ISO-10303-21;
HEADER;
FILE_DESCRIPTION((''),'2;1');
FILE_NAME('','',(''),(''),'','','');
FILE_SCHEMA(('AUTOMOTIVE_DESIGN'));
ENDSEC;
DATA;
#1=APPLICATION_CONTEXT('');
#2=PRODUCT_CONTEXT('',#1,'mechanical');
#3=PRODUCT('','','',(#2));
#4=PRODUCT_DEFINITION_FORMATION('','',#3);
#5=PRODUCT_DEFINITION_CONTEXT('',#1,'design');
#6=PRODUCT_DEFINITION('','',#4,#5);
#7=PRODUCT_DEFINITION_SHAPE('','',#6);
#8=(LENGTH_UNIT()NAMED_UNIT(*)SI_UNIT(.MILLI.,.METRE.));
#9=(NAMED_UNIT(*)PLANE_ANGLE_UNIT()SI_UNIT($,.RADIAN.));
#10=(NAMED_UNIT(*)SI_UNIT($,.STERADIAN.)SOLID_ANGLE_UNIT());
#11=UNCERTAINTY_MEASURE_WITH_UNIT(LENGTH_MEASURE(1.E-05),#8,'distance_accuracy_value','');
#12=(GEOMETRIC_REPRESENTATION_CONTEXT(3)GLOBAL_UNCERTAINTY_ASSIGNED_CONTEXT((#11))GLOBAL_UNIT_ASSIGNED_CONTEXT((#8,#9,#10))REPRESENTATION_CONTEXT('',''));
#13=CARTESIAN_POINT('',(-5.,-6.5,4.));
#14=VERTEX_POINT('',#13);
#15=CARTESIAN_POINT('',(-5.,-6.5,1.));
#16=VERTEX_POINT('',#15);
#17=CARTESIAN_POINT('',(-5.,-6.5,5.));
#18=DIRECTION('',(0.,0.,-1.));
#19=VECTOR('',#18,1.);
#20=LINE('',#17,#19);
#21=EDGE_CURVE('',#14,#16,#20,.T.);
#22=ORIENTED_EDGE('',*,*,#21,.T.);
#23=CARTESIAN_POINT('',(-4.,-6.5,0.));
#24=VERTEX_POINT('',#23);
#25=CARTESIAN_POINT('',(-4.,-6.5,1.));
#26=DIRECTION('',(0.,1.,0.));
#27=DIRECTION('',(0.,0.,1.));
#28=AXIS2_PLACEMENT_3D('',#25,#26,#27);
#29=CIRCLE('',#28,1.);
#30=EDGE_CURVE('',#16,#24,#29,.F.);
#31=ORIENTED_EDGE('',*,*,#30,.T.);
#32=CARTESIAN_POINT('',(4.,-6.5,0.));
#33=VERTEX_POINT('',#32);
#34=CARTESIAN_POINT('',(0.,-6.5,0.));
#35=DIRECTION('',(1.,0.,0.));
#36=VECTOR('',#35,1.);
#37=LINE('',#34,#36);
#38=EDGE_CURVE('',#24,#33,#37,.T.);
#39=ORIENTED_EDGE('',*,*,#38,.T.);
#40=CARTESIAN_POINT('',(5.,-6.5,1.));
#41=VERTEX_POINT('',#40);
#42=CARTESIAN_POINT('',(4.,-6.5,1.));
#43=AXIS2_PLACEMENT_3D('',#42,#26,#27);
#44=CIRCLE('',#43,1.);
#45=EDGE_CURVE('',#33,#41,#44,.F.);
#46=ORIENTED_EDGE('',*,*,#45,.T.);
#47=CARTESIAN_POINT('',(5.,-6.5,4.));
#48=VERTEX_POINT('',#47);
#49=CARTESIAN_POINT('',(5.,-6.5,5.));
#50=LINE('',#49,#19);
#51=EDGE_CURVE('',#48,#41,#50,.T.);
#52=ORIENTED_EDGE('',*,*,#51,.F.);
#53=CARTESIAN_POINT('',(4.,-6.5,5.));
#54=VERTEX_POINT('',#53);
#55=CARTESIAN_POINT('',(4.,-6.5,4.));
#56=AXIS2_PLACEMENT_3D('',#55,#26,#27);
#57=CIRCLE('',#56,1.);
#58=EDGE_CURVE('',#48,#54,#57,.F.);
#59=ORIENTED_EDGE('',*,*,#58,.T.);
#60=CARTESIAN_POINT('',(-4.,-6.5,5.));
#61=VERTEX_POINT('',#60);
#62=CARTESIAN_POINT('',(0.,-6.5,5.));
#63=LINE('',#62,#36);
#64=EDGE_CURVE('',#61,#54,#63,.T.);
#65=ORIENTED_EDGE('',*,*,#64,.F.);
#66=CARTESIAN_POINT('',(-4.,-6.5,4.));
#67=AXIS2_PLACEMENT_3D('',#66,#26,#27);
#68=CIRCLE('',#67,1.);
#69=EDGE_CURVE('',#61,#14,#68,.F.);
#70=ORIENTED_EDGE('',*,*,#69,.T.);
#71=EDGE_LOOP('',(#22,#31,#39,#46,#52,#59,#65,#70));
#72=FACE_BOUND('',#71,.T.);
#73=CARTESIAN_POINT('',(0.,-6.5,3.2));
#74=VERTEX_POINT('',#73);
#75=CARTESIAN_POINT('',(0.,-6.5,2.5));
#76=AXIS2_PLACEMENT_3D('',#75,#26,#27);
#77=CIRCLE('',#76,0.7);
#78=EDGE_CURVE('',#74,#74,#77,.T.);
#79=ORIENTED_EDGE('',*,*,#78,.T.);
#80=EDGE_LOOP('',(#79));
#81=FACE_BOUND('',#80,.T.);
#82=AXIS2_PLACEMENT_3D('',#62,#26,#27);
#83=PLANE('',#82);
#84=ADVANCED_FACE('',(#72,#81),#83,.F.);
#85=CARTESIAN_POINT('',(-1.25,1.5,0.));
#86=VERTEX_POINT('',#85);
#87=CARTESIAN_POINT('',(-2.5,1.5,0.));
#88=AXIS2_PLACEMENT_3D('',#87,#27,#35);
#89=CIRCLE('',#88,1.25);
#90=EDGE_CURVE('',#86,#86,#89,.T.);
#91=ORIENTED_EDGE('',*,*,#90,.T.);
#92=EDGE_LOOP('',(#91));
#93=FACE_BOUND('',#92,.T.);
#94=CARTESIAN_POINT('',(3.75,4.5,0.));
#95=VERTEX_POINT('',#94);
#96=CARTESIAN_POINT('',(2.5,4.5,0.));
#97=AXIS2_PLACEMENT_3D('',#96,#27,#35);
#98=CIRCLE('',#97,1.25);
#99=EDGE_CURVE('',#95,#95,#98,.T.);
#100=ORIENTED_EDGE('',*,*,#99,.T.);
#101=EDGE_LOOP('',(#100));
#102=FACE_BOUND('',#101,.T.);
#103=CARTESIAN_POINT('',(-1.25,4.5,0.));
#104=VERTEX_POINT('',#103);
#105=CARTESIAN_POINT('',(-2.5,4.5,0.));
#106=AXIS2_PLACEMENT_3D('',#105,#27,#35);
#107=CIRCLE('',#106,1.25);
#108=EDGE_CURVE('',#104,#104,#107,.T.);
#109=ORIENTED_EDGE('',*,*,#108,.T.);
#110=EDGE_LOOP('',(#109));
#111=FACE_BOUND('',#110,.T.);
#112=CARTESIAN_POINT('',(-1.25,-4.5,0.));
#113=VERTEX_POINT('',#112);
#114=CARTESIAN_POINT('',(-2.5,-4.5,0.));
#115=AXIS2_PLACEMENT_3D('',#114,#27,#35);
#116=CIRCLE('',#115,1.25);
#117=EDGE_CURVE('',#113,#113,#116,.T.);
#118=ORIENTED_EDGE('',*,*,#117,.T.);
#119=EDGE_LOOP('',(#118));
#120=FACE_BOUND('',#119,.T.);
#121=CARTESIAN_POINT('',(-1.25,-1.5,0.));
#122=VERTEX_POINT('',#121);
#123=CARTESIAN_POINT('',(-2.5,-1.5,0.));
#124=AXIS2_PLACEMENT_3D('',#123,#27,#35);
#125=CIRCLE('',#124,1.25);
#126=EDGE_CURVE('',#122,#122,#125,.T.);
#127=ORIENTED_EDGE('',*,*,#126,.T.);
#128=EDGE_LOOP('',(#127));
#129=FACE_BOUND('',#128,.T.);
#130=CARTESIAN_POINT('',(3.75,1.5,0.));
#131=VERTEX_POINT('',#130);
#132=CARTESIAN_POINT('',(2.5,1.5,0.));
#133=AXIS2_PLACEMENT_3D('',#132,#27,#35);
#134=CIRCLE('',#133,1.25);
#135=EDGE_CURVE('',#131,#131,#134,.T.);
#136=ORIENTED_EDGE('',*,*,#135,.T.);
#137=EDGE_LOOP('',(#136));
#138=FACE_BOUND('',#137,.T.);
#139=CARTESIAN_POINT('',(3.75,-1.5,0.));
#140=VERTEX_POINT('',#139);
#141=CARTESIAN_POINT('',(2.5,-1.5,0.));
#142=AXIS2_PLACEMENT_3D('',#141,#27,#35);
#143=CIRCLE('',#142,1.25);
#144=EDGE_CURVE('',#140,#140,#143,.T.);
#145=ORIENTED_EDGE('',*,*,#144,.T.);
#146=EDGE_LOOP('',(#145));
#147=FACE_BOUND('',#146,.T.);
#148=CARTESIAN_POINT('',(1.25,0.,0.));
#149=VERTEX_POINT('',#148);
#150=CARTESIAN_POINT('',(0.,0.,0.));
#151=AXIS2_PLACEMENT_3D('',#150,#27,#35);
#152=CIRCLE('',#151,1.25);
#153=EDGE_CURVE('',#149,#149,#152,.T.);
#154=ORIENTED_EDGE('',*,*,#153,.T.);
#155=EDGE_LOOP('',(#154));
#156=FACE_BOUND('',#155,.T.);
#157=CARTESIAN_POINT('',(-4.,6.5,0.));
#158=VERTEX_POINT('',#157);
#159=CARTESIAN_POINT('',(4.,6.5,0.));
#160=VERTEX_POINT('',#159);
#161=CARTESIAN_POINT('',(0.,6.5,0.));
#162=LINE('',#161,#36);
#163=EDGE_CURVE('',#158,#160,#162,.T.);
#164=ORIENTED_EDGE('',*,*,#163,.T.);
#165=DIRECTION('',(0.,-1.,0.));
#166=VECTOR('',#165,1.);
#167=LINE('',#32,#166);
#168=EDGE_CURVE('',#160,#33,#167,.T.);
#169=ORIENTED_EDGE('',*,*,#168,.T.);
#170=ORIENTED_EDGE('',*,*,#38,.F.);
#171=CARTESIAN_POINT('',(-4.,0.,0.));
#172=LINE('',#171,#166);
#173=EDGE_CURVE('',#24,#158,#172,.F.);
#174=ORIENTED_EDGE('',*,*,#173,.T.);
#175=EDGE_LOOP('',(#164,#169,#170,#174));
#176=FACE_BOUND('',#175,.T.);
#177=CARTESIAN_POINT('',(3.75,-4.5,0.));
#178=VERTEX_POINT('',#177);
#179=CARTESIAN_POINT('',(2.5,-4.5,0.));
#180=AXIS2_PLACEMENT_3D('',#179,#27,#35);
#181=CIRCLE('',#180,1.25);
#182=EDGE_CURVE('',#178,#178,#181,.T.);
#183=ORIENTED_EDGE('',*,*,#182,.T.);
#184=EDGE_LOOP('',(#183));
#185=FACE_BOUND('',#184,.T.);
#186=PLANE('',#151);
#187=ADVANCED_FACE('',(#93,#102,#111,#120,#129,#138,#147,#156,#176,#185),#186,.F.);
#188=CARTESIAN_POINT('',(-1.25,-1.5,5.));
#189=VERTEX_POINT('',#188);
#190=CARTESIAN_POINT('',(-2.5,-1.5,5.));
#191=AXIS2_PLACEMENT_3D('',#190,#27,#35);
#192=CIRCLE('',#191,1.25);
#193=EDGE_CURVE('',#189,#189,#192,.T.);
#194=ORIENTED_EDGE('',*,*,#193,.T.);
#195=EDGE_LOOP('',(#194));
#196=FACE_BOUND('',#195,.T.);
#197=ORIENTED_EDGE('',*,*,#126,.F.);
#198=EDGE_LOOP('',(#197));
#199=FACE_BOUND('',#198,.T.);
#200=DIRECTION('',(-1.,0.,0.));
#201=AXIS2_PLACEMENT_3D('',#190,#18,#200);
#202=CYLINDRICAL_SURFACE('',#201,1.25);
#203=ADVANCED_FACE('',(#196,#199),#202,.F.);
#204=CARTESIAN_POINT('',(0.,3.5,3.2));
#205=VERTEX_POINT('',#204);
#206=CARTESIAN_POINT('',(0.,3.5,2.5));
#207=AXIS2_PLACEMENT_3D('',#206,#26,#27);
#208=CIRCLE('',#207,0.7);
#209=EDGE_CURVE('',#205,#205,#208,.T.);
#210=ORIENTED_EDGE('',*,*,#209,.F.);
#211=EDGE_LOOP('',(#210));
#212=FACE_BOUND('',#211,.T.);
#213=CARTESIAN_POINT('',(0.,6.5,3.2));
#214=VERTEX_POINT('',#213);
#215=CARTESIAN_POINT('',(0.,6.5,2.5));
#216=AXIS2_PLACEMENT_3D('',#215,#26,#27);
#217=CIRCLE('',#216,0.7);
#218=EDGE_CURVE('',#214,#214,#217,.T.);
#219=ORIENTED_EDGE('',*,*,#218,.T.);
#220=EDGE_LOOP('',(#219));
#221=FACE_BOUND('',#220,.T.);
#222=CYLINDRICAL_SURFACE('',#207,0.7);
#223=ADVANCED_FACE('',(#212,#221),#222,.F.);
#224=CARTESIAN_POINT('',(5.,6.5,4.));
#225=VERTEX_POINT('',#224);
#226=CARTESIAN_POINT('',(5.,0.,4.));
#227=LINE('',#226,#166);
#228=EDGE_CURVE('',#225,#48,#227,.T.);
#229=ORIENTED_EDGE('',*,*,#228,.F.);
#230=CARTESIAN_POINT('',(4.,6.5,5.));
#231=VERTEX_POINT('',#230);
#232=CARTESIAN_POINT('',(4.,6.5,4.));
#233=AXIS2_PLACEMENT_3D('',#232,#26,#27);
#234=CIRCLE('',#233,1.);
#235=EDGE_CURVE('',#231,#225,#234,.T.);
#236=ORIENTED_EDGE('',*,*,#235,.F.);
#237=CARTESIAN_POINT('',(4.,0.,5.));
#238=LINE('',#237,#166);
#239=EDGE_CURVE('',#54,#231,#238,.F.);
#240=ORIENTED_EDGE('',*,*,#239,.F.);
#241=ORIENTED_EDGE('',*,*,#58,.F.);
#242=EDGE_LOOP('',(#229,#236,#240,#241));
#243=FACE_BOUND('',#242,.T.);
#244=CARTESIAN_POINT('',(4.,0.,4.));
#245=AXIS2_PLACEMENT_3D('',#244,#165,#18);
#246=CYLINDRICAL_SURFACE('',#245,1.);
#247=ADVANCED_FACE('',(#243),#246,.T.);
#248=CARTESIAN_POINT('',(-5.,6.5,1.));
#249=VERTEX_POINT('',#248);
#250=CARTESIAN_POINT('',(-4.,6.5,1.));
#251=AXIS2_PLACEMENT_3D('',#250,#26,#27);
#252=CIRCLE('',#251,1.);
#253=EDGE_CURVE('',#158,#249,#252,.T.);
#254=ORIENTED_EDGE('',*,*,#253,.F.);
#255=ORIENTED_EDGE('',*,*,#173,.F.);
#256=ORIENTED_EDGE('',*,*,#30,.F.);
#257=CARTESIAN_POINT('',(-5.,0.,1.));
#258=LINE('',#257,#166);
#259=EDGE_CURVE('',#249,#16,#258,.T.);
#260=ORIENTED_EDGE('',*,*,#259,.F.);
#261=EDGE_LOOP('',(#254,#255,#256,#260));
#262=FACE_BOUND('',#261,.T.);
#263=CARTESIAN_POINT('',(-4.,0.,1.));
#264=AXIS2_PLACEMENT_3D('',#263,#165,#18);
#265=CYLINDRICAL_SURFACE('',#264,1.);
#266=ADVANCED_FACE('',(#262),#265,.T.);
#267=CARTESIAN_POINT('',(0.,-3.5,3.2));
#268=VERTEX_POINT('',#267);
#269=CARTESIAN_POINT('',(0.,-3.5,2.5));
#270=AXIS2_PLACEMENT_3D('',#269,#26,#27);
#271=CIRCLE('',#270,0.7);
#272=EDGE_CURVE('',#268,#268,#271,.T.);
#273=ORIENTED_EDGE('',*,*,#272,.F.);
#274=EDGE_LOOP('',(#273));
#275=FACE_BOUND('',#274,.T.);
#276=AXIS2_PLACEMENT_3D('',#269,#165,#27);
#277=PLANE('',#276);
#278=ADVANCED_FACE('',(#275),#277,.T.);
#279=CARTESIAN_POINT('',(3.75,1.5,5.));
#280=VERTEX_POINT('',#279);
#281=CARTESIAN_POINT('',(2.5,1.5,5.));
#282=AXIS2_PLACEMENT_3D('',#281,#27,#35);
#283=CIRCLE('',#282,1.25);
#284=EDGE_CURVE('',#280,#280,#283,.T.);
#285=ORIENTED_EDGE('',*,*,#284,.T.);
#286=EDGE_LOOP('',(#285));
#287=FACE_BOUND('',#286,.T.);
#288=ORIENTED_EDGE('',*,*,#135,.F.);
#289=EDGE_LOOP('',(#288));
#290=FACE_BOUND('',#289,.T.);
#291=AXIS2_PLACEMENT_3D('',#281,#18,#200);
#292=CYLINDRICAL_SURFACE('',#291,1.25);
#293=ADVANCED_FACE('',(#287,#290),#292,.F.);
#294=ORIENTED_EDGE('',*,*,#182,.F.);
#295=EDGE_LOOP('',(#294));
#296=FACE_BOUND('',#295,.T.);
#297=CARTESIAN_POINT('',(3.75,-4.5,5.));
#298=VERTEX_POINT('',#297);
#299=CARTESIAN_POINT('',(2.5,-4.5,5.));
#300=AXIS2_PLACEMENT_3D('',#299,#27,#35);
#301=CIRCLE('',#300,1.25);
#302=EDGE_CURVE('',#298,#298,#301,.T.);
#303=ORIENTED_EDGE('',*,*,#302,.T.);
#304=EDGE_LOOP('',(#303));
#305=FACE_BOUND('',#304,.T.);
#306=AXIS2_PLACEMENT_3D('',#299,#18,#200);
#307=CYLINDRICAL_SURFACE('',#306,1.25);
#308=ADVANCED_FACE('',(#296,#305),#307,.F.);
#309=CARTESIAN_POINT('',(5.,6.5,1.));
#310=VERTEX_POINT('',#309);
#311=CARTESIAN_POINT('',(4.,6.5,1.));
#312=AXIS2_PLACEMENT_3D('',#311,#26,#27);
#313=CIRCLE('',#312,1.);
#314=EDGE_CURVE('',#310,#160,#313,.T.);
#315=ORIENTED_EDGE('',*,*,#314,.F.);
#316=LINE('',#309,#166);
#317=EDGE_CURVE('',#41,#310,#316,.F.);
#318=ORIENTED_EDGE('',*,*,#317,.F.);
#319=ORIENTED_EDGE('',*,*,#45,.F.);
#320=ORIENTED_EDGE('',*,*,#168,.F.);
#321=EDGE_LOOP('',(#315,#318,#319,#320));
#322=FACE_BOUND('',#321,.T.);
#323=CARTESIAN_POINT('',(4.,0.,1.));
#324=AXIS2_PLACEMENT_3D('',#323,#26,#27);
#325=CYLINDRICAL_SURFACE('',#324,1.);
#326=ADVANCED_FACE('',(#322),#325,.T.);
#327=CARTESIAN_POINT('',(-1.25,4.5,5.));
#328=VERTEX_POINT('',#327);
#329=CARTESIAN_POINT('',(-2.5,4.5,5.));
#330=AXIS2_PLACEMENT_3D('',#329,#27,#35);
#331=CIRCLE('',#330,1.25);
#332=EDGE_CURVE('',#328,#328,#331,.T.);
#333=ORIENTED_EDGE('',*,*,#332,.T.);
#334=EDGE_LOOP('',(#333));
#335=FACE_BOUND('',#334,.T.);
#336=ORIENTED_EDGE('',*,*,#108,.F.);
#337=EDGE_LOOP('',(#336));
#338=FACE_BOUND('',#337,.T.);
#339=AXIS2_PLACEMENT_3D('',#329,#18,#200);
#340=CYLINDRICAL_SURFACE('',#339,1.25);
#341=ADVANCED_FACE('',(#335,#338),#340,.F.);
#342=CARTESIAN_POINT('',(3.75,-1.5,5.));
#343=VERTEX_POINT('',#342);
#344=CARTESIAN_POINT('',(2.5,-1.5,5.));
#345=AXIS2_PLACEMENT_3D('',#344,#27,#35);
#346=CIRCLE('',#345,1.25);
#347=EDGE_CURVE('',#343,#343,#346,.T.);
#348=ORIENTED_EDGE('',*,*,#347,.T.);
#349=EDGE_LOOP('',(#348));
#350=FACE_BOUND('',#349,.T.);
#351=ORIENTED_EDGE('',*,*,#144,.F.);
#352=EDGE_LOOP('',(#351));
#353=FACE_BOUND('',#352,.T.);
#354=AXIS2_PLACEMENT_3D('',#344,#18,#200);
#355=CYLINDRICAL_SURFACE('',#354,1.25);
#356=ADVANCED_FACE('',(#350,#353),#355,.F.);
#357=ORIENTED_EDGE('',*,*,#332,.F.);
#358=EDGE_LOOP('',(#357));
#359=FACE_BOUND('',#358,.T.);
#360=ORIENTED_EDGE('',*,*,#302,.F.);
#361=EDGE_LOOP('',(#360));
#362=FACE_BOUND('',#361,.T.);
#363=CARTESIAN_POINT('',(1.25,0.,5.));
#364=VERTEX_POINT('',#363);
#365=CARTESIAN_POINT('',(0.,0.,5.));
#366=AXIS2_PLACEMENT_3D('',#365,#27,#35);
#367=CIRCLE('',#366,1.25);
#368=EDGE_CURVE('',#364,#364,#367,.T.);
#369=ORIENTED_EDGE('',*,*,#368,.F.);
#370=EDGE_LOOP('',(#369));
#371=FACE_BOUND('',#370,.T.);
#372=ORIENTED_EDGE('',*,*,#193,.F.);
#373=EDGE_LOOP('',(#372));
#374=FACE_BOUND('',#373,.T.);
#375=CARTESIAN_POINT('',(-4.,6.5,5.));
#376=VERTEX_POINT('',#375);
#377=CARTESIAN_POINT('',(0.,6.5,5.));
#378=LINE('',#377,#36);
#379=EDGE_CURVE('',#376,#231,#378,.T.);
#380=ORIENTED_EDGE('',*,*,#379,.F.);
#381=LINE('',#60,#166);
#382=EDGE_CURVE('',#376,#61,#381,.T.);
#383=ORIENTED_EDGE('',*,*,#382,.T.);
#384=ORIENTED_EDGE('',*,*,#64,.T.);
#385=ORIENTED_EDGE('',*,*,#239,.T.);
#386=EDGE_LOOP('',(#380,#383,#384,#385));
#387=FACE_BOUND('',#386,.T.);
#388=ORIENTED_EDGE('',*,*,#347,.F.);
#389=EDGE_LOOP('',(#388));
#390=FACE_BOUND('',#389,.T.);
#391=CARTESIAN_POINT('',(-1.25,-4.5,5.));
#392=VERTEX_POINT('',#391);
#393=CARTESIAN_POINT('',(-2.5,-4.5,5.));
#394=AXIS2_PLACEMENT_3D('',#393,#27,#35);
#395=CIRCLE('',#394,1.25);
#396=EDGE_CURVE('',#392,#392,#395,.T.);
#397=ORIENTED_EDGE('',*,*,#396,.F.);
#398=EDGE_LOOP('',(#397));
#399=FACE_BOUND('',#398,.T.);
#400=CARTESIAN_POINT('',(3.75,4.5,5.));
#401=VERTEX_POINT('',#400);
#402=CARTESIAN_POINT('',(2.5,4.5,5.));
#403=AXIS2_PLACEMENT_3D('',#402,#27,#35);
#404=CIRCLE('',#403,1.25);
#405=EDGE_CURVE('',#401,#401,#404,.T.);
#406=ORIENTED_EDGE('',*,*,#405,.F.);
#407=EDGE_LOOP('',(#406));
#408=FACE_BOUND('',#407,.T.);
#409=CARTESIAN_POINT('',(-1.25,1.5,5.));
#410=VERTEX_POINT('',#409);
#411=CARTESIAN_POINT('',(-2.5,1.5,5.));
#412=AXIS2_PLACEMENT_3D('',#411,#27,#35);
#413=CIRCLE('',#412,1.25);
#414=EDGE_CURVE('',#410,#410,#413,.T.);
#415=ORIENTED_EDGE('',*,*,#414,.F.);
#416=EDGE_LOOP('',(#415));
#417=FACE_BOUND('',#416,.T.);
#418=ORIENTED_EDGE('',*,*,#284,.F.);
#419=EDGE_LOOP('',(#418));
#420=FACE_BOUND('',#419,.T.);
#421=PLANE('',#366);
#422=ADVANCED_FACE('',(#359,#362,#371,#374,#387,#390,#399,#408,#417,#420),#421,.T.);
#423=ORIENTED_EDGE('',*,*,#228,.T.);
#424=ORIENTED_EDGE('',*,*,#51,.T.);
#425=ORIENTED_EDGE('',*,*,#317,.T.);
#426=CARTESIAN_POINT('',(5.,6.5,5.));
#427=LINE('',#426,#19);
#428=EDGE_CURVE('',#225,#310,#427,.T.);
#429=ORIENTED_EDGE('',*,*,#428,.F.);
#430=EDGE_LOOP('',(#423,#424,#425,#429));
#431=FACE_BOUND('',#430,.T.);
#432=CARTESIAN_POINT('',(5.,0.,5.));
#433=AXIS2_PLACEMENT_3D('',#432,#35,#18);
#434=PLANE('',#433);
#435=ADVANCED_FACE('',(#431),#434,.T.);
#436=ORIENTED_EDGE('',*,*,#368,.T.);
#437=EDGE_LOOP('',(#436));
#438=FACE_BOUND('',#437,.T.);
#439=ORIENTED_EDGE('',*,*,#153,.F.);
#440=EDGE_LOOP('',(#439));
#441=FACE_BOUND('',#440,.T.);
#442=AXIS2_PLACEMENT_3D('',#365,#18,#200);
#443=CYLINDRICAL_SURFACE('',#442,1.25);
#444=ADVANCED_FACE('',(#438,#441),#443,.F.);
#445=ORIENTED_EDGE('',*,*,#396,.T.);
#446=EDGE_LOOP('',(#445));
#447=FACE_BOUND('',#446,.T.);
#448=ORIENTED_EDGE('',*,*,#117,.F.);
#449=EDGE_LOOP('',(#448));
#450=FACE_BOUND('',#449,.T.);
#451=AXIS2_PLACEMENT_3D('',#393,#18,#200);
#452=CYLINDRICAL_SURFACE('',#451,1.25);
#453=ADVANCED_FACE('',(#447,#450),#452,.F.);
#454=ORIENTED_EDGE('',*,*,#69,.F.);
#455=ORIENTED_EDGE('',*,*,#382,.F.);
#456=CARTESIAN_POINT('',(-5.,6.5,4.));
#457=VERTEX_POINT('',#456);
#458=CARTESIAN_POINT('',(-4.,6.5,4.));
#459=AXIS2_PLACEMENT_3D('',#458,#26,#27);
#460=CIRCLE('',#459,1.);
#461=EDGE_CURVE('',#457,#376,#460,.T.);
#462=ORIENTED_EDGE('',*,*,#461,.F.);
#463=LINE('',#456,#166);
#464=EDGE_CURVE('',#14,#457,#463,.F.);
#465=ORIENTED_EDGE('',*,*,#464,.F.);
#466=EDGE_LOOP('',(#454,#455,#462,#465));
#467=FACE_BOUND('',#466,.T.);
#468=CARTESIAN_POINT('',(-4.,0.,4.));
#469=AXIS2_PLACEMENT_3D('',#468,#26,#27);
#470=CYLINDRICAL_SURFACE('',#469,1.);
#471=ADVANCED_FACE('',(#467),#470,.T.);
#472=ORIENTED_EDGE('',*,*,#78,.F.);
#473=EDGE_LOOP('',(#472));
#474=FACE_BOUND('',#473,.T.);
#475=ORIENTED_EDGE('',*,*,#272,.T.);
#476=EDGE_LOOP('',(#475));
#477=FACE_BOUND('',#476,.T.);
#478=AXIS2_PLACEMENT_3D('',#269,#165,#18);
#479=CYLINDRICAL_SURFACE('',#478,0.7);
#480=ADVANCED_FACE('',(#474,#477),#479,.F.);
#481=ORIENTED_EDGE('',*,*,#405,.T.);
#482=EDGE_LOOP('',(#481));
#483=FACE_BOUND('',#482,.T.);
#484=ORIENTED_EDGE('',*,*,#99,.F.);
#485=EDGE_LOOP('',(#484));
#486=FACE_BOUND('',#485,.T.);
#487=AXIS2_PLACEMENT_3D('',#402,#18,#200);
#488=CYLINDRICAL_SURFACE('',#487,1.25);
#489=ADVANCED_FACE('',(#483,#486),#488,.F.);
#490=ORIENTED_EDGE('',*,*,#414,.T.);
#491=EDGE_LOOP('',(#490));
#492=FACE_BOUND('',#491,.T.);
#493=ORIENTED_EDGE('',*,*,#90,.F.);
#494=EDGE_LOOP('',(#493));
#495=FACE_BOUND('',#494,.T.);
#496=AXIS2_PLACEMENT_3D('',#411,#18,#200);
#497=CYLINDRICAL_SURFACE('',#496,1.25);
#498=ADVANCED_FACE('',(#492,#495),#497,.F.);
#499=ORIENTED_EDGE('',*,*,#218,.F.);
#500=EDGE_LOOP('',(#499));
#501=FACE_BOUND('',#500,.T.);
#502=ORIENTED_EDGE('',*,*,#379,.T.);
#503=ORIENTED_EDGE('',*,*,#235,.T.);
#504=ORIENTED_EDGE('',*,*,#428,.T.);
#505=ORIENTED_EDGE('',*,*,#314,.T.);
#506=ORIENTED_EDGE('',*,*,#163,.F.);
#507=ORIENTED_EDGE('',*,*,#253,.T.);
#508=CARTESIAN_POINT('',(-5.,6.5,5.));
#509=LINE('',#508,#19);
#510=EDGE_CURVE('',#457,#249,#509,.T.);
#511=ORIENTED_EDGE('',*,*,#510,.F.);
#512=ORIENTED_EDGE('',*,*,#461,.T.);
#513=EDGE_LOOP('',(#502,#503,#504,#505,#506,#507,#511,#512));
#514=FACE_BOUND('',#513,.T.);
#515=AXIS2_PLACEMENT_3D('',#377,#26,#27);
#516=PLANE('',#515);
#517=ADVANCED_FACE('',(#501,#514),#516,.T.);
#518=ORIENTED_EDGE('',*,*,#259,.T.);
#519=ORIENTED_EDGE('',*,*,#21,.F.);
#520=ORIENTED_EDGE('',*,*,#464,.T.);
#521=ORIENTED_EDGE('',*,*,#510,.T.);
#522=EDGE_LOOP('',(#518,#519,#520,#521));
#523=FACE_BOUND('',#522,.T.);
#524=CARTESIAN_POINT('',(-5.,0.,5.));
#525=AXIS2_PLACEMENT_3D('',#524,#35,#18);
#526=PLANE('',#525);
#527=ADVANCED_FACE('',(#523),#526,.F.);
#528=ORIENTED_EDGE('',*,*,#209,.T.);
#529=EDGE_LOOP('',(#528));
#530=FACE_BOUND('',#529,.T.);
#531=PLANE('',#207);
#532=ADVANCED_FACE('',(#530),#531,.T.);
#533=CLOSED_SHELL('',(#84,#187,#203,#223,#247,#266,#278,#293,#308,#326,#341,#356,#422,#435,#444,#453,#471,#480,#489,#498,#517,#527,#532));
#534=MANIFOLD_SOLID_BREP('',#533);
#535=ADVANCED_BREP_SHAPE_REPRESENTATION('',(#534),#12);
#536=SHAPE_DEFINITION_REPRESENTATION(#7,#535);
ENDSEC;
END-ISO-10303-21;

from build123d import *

# Parameters (mm, degrees)
SKETCH2_W           = 10
SKETCH2_H           = 13
SKETCH2_R           = 1.25
BOSS_EXTRUDE1_DEPTH = 5
FILLET1_R           = 1
SKETCH3_R           = 0.7
CUT_EXTRUDE1_DEPTH  = 3


with BuildPart() as part:
    # Sketch2 → Boss-Extrude1 (new body)
    with BuildSketch(Plane.XY):
        Rectangle(SKETCH2_W, SKETCH2_H)
        with Locations((-2.5, 4.5)):
            Circle(SKETCH2_R, mode=Mode.SUBTRACT)
        with Locations((2.5, 4.5)):
            Circle(SKETCH2_R, mode=Mode.SUBTRACT)
        with Locations((2.5, 1.5)):
            Circle(SKETCH2_R, mode=Mode.SUBTRACT)
        with Locations((2.5, -1.5)):
            Circle(SKETCH2_R, mode=Mode.SUBTRACT)
        with Locations((2.5, -4.5)):
            Circle(SKETCH2_R, mode=Mode.SUBTRACT)
        with Locations((-2.5, 1.5)):
            Circle(SKETCH2_R, mode=Mode.SUBTRACT)
        with Locations((-2.5, -1.5)):
            Circle(SKETCH2_R, mode=Mode.SUBTRACT)
        with Locations((-2.5, -4.5)):
            Circle(SKETCH2_R, mode=Mode.SUBTRACT)
        Circle(SKETCH2_R, mode=Mode.SUBTRACT)
    extrude(amount=BOSS_EXTRUDE1_DEPTH)

    # Fillet1
    fillet1_edges = [part.edges().sort_by_distance(p)[0] for p in [
        (-5, 0, 0),
        (5, 0, 0),
        (5, 0, 5),
        (-5, 0, 5),
    ]]
    fillet(fillet1_edges, radius=FILLET1_R)

    # Sketch3 → Cut-Extrude1 (cut)
    with BuildSketch(Plane(origin=(0, 6.5, 0), x_dir=(1, 0, 0), z_dir=(0, 1, 0))):
        with Locations((0, -2.5)):
            Circle(SKETCH3_R)
    cut_extrude1 = extrude(amount=-CUT_EXTRUDE1_DEPTH, mode=Mode.SUBTRACT)

    # Mirror1: Cut-Extrude1 across plane
    add(cut_extrude1.mirror(Plane.ZX), mode=Mode.SUBTRACT)


solid = part.part
